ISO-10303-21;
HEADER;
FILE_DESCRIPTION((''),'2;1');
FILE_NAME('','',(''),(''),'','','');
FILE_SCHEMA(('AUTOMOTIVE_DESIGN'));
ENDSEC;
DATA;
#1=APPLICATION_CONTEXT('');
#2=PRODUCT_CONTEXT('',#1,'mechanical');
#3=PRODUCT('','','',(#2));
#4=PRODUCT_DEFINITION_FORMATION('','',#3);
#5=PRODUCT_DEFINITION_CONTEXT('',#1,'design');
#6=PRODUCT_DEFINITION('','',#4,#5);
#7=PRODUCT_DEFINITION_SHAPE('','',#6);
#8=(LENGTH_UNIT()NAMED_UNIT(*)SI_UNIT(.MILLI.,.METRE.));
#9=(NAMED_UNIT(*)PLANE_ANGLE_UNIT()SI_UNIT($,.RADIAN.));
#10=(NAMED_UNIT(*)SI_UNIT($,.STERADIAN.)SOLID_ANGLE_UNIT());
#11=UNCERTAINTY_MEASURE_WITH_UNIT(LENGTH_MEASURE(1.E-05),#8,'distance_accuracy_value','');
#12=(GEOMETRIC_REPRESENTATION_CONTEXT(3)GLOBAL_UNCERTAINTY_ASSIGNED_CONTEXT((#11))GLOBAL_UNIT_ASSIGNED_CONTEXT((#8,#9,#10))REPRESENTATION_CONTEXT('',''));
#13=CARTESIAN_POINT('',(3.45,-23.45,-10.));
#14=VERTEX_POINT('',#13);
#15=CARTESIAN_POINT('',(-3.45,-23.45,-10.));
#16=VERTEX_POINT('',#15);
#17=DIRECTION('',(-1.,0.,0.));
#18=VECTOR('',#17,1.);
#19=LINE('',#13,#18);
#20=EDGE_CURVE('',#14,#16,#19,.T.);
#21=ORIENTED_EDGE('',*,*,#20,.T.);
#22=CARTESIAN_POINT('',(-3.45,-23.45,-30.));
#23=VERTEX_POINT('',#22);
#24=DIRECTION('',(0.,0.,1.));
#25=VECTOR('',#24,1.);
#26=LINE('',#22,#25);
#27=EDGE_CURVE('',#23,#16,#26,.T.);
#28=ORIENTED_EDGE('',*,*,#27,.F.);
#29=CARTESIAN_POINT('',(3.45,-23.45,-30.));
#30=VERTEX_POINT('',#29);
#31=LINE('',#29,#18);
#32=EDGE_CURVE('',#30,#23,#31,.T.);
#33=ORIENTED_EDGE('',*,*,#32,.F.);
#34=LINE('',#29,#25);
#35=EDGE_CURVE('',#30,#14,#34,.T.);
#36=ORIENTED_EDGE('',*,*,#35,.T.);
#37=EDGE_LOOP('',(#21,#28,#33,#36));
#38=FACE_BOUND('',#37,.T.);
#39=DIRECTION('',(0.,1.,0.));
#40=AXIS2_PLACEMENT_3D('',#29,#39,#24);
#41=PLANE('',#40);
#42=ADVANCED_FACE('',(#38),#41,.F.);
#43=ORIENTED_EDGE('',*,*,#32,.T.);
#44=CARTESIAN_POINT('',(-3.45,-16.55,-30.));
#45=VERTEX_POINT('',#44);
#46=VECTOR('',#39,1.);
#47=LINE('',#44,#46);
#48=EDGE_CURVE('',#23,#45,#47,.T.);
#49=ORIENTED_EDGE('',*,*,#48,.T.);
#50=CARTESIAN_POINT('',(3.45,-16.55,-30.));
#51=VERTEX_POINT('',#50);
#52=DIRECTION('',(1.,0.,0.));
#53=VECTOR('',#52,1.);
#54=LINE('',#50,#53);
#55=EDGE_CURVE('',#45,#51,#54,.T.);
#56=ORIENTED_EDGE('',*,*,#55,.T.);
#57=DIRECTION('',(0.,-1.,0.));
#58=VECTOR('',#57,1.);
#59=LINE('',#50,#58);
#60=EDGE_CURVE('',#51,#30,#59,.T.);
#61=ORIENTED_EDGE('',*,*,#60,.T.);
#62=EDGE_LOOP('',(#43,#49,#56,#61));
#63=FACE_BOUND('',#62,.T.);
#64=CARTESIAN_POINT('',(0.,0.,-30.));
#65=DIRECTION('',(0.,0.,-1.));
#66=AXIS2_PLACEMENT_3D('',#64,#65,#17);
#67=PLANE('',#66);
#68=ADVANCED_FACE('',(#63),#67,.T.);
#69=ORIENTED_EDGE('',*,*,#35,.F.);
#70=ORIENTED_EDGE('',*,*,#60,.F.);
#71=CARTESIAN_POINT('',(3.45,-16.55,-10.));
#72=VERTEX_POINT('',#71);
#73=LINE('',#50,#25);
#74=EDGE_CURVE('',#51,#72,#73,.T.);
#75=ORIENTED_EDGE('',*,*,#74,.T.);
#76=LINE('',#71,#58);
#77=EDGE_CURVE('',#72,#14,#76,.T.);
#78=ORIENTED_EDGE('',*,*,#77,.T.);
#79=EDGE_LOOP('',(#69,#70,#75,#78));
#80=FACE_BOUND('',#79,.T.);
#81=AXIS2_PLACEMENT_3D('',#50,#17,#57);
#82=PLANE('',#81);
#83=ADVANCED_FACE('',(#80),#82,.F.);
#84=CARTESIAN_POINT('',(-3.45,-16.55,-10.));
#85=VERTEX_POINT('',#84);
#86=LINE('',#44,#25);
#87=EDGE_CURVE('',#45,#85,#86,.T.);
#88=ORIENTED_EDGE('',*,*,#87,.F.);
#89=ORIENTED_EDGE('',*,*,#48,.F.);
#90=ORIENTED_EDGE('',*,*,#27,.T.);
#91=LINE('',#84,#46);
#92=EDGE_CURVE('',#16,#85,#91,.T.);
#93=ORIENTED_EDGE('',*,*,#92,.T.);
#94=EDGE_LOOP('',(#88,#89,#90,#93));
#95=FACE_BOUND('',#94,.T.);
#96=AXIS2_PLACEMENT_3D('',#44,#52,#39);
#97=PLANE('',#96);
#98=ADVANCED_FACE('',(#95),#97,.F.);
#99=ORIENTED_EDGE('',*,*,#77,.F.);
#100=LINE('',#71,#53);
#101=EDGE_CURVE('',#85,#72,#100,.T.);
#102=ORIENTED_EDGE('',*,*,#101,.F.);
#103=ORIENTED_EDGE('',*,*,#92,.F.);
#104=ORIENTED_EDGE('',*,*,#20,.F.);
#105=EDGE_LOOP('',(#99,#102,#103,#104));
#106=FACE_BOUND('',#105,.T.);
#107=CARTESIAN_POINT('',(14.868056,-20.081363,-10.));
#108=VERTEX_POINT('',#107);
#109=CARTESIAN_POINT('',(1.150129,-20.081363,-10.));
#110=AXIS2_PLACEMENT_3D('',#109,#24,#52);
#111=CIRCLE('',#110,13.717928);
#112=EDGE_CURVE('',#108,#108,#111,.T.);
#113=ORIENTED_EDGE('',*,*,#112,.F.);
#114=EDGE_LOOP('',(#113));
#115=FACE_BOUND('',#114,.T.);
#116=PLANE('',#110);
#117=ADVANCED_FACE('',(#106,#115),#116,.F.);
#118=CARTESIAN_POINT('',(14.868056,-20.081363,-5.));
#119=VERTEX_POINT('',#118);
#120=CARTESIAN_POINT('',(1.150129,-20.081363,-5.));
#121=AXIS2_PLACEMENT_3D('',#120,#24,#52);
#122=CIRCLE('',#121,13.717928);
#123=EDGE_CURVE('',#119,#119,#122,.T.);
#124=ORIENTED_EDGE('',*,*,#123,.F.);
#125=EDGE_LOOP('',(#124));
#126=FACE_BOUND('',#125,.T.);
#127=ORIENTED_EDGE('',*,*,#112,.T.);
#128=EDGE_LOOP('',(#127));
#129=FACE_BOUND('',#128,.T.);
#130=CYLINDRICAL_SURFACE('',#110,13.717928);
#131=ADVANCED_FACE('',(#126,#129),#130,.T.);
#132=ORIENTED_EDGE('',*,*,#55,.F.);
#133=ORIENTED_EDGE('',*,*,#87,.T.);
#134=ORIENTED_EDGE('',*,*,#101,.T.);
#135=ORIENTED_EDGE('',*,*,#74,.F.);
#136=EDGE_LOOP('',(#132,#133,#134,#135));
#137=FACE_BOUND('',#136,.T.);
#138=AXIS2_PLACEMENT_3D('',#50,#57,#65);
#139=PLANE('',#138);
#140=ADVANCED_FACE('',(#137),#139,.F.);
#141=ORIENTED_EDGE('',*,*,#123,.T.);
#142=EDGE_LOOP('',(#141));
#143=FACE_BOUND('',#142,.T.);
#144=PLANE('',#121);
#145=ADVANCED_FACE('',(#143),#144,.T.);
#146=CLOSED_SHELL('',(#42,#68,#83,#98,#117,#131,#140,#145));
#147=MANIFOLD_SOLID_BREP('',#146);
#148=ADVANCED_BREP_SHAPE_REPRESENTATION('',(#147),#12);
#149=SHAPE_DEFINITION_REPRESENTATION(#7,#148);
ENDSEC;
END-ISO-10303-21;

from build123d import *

# Parameters (mm, degrees)
BOSS_EXTRUDE1_START = -5
SKETCH1_R           = 13.717927936
BOSS_EXTRUDE1_DEPTH = 5
SKETCH2_W           = 6.9
SKETCH2_H           = 6.9
BOSS_EXTRUDE2_DEPTH = 20


with BuildPart() as part:
    # Sketch1 → Boss-Extrude1 (new body)
    with BuildSketch(Plane.XY.offset(BOSS_EXTRUDE1_START)):
        with Locations((1.150128538, -20.08136278)):
            Circle(SKETCH1_R)
    extrude(amount=-BOSS_EXTRUDE1_DEPTH)

    # Sketch2 → Boss-Extrude2 (add)
    with BuildSketch(Plane(origin=(0, 0, -10), x_dir=(-1, 0, 0), z_dir=(0, 0, -1))):
        with Locations((0, -20)):
            Rectangle(SKETCH2_W, SKETCH2_H)
    extrude(amount=BOSS_EXTRUDE2_DEPTH)


solid = part.part
